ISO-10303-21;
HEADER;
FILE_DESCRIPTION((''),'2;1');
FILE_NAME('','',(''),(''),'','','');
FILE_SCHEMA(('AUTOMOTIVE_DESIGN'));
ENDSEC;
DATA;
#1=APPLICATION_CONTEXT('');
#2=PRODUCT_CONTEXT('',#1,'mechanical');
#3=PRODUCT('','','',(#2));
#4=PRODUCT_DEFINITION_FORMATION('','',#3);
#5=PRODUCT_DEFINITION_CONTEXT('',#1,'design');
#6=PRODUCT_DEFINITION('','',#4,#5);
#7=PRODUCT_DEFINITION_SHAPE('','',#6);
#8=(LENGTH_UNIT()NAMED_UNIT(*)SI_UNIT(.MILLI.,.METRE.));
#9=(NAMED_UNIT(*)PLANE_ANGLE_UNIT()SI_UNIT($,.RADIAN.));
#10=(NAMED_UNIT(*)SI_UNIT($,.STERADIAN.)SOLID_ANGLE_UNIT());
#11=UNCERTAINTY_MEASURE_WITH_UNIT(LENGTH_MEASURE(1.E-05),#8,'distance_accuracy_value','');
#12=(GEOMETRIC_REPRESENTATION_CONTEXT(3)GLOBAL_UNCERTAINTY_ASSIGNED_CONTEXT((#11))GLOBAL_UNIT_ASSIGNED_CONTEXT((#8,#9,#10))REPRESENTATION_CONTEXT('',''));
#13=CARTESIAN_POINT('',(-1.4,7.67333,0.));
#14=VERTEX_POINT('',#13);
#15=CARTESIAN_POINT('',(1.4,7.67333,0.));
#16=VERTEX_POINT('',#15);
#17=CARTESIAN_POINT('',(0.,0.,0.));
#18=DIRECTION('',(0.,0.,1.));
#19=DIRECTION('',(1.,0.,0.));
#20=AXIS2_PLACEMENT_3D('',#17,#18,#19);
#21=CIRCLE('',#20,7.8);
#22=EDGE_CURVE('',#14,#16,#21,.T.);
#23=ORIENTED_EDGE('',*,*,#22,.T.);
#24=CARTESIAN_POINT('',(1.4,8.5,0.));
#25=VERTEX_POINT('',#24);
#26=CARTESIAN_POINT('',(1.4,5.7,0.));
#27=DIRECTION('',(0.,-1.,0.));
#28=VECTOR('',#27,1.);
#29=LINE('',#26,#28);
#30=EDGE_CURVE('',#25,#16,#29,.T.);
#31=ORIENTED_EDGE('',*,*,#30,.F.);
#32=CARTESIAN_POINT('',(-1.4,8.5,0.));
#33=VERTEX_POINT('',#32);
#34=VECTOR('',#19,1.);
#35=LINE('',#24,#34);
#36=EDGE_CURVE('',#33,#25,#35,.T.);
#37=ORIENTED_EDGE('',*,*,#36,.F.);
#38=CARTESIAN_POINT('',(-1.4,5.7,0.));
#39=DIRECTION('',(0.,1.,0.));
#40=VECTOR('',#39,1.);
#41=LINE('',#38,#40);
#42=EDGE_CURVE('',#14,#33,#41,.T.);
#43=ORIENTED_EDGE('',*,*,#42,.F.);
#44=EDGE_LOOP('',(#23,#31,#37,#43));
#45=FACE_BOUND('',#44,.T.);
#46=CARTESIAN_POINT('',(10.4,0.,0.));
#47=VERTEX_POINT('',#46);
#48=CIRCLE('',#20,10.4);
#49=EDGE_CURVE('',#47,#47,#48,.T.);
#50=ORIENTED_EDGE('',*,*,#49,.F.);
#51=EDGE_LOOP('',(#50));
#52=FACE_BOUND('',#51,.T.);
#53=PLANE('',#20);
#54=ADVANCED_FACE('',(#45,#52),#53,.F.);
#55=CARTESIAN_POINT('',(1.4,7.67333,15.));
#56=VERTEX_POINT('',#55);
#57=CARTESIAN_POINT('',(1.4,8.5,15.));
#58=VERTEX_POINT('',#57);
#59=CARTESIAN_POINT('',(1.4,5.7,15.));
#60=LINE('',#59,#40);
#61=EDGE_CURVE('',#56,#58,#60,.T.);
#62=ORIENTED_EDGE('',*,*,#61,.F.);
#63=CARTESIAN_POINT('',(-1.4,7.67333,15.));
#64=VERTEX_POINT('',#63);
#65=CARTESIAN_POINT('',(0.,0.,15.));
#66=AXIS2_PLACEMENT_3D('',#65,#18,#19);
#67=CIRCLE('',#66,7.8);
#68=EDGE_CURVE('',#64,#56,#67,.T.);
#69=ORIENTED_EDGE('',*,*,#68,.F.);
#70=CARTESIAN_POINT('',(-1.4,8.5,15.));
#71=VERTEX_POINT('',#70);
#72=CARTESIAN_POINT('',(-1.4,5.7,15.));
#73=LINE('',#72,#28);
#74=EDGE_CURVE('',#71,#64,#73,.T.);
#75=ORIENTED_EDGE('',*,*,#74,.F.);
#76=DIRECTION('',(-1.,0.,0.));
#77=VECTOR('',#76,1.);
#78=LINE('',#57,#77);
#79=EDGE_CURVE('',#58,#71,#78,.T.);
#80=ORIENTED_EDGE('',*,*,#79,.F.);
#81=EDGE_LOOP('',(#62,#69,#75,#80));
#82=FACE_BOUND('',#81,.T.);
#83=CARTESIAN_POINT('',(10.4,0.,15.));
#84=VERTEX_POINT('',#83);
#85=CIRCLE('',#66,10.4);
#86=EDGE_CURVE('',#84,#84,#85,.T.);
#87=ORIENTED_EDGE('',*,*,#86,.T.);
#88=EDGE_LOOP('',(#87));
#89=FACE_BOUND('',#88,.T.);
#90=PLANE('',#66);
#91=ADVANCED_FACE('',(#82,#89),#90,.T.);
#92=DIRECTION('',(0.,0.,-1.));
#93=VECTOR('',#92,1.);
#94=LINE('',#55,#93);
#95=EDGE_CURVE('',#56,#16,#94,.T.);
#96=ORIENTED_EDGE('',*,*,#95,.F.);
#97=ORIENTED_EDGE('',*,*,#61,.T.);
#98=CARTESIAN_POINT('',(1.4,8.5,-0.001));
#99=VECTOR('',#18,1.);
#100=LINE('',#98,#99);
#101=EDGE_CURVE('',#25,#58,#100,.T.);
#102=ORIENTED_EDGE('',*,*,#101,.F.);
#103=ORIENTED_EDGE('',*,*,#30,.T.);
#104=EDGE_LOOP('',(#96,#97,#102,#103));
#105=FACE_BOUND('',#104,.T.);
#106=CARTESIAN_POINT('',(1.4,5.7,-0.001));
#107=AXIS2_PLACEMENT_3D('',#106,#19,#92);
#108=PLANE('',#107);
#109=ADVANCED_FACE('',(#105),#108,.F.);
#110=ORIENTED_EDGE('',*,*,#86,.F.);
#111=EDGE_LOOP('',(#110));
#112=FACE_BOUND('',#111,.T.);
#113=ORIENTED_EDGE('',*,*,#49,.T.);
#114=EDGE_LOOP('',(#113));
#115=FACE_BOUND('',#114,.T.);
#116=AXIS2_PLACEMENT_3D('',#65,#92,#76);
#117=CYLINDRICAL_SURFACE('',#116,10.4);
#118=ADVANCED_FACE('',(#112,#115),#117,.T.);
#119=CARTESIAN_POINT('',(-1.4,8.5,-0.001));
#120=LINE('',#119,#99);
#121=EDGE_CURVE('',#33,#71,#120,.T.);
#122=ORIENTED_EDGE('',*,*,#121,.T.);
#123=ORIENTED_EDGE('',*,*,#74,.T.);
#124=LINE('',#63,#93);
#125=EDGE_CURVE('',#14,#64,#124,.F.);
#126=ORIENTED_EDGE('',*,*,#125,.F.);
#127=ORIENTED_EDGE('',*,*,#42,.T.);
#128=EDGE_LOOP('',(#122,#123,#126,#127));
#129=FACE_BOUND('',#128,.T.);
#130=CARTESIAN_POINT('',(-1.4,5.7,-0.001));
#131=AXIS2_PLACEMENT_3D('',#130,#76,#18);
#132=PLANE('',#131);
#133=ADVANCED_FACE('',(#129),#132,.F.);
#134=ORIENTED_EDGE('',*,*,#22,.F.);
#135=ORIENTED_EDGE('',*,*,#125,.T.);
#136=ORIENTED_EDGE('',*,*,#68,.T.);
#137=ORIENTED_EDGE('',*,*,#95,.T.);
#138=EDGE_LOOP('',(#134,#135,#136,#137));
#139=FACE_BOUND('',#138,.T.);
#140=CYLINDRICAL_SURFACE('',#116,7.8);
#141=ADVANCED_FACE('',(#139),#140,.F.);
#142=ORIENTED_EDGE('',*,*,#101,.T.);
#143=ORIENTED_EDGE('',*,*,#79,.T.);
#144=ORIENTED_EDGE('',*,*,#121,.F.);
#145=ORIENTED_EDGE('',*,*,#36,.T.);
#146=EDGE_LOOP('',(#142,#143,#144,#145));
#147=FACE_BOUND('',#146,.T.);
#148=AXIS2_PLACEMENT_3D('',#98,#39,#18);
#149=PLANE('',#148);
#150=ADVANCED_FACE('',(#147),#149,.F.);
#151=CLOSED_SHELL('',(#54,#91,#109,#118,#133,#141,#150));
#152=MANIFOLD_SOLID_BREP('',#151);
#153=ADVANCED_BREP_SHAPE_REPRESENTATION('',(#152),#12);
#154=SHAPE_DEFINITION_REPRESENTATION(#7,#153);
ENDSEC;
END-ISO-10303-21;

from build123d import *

# Parameters (mm, degrees)
SKETCH1_R           = 10.4
SKETCH1_R_2         = 7.8
BOSS_EXTRUDE1_DEPTH = 15
CUT_EXTRUDE1_REACH  = 17
SKETCH2_W           = 2.8
SKETCH2_H           = 2.8


with BuildPart() as part:
    # Sketch1 → Boss-Extrude1 (new body)
    with BuildSketch(Plane.XY):
        Circle(SKETCH1_R)
        Circle(SKETCH1_R_2, mode=Mode.SUBTRACT)
    extrude(amount=BOSS_EXTRUDE1_DEPTH)

    # Sketch2 → Cut-Extrude1 (cut, up to next)
    with BuildSketch(Plane.XY.offset(15), mode=Mode.PRIVATE) as cut_extrude1_sk1:
        with Locations((0, 7.1)):
            Rectangle(SKETCH2_W, SKETCH2_H)
    cut_extrude1_tool1 = extrude(cut_extrude1_sk1.sketch, amount=-CUT_EXTRUDE1_REACH, mode=Mode.PRIVATE) & part.part
    add(cut_extrude1_tool1.solids().sort_by_distance((0, 7.1, 15))[0], mode=Mode.SUBTRACT)


solid = part.part
